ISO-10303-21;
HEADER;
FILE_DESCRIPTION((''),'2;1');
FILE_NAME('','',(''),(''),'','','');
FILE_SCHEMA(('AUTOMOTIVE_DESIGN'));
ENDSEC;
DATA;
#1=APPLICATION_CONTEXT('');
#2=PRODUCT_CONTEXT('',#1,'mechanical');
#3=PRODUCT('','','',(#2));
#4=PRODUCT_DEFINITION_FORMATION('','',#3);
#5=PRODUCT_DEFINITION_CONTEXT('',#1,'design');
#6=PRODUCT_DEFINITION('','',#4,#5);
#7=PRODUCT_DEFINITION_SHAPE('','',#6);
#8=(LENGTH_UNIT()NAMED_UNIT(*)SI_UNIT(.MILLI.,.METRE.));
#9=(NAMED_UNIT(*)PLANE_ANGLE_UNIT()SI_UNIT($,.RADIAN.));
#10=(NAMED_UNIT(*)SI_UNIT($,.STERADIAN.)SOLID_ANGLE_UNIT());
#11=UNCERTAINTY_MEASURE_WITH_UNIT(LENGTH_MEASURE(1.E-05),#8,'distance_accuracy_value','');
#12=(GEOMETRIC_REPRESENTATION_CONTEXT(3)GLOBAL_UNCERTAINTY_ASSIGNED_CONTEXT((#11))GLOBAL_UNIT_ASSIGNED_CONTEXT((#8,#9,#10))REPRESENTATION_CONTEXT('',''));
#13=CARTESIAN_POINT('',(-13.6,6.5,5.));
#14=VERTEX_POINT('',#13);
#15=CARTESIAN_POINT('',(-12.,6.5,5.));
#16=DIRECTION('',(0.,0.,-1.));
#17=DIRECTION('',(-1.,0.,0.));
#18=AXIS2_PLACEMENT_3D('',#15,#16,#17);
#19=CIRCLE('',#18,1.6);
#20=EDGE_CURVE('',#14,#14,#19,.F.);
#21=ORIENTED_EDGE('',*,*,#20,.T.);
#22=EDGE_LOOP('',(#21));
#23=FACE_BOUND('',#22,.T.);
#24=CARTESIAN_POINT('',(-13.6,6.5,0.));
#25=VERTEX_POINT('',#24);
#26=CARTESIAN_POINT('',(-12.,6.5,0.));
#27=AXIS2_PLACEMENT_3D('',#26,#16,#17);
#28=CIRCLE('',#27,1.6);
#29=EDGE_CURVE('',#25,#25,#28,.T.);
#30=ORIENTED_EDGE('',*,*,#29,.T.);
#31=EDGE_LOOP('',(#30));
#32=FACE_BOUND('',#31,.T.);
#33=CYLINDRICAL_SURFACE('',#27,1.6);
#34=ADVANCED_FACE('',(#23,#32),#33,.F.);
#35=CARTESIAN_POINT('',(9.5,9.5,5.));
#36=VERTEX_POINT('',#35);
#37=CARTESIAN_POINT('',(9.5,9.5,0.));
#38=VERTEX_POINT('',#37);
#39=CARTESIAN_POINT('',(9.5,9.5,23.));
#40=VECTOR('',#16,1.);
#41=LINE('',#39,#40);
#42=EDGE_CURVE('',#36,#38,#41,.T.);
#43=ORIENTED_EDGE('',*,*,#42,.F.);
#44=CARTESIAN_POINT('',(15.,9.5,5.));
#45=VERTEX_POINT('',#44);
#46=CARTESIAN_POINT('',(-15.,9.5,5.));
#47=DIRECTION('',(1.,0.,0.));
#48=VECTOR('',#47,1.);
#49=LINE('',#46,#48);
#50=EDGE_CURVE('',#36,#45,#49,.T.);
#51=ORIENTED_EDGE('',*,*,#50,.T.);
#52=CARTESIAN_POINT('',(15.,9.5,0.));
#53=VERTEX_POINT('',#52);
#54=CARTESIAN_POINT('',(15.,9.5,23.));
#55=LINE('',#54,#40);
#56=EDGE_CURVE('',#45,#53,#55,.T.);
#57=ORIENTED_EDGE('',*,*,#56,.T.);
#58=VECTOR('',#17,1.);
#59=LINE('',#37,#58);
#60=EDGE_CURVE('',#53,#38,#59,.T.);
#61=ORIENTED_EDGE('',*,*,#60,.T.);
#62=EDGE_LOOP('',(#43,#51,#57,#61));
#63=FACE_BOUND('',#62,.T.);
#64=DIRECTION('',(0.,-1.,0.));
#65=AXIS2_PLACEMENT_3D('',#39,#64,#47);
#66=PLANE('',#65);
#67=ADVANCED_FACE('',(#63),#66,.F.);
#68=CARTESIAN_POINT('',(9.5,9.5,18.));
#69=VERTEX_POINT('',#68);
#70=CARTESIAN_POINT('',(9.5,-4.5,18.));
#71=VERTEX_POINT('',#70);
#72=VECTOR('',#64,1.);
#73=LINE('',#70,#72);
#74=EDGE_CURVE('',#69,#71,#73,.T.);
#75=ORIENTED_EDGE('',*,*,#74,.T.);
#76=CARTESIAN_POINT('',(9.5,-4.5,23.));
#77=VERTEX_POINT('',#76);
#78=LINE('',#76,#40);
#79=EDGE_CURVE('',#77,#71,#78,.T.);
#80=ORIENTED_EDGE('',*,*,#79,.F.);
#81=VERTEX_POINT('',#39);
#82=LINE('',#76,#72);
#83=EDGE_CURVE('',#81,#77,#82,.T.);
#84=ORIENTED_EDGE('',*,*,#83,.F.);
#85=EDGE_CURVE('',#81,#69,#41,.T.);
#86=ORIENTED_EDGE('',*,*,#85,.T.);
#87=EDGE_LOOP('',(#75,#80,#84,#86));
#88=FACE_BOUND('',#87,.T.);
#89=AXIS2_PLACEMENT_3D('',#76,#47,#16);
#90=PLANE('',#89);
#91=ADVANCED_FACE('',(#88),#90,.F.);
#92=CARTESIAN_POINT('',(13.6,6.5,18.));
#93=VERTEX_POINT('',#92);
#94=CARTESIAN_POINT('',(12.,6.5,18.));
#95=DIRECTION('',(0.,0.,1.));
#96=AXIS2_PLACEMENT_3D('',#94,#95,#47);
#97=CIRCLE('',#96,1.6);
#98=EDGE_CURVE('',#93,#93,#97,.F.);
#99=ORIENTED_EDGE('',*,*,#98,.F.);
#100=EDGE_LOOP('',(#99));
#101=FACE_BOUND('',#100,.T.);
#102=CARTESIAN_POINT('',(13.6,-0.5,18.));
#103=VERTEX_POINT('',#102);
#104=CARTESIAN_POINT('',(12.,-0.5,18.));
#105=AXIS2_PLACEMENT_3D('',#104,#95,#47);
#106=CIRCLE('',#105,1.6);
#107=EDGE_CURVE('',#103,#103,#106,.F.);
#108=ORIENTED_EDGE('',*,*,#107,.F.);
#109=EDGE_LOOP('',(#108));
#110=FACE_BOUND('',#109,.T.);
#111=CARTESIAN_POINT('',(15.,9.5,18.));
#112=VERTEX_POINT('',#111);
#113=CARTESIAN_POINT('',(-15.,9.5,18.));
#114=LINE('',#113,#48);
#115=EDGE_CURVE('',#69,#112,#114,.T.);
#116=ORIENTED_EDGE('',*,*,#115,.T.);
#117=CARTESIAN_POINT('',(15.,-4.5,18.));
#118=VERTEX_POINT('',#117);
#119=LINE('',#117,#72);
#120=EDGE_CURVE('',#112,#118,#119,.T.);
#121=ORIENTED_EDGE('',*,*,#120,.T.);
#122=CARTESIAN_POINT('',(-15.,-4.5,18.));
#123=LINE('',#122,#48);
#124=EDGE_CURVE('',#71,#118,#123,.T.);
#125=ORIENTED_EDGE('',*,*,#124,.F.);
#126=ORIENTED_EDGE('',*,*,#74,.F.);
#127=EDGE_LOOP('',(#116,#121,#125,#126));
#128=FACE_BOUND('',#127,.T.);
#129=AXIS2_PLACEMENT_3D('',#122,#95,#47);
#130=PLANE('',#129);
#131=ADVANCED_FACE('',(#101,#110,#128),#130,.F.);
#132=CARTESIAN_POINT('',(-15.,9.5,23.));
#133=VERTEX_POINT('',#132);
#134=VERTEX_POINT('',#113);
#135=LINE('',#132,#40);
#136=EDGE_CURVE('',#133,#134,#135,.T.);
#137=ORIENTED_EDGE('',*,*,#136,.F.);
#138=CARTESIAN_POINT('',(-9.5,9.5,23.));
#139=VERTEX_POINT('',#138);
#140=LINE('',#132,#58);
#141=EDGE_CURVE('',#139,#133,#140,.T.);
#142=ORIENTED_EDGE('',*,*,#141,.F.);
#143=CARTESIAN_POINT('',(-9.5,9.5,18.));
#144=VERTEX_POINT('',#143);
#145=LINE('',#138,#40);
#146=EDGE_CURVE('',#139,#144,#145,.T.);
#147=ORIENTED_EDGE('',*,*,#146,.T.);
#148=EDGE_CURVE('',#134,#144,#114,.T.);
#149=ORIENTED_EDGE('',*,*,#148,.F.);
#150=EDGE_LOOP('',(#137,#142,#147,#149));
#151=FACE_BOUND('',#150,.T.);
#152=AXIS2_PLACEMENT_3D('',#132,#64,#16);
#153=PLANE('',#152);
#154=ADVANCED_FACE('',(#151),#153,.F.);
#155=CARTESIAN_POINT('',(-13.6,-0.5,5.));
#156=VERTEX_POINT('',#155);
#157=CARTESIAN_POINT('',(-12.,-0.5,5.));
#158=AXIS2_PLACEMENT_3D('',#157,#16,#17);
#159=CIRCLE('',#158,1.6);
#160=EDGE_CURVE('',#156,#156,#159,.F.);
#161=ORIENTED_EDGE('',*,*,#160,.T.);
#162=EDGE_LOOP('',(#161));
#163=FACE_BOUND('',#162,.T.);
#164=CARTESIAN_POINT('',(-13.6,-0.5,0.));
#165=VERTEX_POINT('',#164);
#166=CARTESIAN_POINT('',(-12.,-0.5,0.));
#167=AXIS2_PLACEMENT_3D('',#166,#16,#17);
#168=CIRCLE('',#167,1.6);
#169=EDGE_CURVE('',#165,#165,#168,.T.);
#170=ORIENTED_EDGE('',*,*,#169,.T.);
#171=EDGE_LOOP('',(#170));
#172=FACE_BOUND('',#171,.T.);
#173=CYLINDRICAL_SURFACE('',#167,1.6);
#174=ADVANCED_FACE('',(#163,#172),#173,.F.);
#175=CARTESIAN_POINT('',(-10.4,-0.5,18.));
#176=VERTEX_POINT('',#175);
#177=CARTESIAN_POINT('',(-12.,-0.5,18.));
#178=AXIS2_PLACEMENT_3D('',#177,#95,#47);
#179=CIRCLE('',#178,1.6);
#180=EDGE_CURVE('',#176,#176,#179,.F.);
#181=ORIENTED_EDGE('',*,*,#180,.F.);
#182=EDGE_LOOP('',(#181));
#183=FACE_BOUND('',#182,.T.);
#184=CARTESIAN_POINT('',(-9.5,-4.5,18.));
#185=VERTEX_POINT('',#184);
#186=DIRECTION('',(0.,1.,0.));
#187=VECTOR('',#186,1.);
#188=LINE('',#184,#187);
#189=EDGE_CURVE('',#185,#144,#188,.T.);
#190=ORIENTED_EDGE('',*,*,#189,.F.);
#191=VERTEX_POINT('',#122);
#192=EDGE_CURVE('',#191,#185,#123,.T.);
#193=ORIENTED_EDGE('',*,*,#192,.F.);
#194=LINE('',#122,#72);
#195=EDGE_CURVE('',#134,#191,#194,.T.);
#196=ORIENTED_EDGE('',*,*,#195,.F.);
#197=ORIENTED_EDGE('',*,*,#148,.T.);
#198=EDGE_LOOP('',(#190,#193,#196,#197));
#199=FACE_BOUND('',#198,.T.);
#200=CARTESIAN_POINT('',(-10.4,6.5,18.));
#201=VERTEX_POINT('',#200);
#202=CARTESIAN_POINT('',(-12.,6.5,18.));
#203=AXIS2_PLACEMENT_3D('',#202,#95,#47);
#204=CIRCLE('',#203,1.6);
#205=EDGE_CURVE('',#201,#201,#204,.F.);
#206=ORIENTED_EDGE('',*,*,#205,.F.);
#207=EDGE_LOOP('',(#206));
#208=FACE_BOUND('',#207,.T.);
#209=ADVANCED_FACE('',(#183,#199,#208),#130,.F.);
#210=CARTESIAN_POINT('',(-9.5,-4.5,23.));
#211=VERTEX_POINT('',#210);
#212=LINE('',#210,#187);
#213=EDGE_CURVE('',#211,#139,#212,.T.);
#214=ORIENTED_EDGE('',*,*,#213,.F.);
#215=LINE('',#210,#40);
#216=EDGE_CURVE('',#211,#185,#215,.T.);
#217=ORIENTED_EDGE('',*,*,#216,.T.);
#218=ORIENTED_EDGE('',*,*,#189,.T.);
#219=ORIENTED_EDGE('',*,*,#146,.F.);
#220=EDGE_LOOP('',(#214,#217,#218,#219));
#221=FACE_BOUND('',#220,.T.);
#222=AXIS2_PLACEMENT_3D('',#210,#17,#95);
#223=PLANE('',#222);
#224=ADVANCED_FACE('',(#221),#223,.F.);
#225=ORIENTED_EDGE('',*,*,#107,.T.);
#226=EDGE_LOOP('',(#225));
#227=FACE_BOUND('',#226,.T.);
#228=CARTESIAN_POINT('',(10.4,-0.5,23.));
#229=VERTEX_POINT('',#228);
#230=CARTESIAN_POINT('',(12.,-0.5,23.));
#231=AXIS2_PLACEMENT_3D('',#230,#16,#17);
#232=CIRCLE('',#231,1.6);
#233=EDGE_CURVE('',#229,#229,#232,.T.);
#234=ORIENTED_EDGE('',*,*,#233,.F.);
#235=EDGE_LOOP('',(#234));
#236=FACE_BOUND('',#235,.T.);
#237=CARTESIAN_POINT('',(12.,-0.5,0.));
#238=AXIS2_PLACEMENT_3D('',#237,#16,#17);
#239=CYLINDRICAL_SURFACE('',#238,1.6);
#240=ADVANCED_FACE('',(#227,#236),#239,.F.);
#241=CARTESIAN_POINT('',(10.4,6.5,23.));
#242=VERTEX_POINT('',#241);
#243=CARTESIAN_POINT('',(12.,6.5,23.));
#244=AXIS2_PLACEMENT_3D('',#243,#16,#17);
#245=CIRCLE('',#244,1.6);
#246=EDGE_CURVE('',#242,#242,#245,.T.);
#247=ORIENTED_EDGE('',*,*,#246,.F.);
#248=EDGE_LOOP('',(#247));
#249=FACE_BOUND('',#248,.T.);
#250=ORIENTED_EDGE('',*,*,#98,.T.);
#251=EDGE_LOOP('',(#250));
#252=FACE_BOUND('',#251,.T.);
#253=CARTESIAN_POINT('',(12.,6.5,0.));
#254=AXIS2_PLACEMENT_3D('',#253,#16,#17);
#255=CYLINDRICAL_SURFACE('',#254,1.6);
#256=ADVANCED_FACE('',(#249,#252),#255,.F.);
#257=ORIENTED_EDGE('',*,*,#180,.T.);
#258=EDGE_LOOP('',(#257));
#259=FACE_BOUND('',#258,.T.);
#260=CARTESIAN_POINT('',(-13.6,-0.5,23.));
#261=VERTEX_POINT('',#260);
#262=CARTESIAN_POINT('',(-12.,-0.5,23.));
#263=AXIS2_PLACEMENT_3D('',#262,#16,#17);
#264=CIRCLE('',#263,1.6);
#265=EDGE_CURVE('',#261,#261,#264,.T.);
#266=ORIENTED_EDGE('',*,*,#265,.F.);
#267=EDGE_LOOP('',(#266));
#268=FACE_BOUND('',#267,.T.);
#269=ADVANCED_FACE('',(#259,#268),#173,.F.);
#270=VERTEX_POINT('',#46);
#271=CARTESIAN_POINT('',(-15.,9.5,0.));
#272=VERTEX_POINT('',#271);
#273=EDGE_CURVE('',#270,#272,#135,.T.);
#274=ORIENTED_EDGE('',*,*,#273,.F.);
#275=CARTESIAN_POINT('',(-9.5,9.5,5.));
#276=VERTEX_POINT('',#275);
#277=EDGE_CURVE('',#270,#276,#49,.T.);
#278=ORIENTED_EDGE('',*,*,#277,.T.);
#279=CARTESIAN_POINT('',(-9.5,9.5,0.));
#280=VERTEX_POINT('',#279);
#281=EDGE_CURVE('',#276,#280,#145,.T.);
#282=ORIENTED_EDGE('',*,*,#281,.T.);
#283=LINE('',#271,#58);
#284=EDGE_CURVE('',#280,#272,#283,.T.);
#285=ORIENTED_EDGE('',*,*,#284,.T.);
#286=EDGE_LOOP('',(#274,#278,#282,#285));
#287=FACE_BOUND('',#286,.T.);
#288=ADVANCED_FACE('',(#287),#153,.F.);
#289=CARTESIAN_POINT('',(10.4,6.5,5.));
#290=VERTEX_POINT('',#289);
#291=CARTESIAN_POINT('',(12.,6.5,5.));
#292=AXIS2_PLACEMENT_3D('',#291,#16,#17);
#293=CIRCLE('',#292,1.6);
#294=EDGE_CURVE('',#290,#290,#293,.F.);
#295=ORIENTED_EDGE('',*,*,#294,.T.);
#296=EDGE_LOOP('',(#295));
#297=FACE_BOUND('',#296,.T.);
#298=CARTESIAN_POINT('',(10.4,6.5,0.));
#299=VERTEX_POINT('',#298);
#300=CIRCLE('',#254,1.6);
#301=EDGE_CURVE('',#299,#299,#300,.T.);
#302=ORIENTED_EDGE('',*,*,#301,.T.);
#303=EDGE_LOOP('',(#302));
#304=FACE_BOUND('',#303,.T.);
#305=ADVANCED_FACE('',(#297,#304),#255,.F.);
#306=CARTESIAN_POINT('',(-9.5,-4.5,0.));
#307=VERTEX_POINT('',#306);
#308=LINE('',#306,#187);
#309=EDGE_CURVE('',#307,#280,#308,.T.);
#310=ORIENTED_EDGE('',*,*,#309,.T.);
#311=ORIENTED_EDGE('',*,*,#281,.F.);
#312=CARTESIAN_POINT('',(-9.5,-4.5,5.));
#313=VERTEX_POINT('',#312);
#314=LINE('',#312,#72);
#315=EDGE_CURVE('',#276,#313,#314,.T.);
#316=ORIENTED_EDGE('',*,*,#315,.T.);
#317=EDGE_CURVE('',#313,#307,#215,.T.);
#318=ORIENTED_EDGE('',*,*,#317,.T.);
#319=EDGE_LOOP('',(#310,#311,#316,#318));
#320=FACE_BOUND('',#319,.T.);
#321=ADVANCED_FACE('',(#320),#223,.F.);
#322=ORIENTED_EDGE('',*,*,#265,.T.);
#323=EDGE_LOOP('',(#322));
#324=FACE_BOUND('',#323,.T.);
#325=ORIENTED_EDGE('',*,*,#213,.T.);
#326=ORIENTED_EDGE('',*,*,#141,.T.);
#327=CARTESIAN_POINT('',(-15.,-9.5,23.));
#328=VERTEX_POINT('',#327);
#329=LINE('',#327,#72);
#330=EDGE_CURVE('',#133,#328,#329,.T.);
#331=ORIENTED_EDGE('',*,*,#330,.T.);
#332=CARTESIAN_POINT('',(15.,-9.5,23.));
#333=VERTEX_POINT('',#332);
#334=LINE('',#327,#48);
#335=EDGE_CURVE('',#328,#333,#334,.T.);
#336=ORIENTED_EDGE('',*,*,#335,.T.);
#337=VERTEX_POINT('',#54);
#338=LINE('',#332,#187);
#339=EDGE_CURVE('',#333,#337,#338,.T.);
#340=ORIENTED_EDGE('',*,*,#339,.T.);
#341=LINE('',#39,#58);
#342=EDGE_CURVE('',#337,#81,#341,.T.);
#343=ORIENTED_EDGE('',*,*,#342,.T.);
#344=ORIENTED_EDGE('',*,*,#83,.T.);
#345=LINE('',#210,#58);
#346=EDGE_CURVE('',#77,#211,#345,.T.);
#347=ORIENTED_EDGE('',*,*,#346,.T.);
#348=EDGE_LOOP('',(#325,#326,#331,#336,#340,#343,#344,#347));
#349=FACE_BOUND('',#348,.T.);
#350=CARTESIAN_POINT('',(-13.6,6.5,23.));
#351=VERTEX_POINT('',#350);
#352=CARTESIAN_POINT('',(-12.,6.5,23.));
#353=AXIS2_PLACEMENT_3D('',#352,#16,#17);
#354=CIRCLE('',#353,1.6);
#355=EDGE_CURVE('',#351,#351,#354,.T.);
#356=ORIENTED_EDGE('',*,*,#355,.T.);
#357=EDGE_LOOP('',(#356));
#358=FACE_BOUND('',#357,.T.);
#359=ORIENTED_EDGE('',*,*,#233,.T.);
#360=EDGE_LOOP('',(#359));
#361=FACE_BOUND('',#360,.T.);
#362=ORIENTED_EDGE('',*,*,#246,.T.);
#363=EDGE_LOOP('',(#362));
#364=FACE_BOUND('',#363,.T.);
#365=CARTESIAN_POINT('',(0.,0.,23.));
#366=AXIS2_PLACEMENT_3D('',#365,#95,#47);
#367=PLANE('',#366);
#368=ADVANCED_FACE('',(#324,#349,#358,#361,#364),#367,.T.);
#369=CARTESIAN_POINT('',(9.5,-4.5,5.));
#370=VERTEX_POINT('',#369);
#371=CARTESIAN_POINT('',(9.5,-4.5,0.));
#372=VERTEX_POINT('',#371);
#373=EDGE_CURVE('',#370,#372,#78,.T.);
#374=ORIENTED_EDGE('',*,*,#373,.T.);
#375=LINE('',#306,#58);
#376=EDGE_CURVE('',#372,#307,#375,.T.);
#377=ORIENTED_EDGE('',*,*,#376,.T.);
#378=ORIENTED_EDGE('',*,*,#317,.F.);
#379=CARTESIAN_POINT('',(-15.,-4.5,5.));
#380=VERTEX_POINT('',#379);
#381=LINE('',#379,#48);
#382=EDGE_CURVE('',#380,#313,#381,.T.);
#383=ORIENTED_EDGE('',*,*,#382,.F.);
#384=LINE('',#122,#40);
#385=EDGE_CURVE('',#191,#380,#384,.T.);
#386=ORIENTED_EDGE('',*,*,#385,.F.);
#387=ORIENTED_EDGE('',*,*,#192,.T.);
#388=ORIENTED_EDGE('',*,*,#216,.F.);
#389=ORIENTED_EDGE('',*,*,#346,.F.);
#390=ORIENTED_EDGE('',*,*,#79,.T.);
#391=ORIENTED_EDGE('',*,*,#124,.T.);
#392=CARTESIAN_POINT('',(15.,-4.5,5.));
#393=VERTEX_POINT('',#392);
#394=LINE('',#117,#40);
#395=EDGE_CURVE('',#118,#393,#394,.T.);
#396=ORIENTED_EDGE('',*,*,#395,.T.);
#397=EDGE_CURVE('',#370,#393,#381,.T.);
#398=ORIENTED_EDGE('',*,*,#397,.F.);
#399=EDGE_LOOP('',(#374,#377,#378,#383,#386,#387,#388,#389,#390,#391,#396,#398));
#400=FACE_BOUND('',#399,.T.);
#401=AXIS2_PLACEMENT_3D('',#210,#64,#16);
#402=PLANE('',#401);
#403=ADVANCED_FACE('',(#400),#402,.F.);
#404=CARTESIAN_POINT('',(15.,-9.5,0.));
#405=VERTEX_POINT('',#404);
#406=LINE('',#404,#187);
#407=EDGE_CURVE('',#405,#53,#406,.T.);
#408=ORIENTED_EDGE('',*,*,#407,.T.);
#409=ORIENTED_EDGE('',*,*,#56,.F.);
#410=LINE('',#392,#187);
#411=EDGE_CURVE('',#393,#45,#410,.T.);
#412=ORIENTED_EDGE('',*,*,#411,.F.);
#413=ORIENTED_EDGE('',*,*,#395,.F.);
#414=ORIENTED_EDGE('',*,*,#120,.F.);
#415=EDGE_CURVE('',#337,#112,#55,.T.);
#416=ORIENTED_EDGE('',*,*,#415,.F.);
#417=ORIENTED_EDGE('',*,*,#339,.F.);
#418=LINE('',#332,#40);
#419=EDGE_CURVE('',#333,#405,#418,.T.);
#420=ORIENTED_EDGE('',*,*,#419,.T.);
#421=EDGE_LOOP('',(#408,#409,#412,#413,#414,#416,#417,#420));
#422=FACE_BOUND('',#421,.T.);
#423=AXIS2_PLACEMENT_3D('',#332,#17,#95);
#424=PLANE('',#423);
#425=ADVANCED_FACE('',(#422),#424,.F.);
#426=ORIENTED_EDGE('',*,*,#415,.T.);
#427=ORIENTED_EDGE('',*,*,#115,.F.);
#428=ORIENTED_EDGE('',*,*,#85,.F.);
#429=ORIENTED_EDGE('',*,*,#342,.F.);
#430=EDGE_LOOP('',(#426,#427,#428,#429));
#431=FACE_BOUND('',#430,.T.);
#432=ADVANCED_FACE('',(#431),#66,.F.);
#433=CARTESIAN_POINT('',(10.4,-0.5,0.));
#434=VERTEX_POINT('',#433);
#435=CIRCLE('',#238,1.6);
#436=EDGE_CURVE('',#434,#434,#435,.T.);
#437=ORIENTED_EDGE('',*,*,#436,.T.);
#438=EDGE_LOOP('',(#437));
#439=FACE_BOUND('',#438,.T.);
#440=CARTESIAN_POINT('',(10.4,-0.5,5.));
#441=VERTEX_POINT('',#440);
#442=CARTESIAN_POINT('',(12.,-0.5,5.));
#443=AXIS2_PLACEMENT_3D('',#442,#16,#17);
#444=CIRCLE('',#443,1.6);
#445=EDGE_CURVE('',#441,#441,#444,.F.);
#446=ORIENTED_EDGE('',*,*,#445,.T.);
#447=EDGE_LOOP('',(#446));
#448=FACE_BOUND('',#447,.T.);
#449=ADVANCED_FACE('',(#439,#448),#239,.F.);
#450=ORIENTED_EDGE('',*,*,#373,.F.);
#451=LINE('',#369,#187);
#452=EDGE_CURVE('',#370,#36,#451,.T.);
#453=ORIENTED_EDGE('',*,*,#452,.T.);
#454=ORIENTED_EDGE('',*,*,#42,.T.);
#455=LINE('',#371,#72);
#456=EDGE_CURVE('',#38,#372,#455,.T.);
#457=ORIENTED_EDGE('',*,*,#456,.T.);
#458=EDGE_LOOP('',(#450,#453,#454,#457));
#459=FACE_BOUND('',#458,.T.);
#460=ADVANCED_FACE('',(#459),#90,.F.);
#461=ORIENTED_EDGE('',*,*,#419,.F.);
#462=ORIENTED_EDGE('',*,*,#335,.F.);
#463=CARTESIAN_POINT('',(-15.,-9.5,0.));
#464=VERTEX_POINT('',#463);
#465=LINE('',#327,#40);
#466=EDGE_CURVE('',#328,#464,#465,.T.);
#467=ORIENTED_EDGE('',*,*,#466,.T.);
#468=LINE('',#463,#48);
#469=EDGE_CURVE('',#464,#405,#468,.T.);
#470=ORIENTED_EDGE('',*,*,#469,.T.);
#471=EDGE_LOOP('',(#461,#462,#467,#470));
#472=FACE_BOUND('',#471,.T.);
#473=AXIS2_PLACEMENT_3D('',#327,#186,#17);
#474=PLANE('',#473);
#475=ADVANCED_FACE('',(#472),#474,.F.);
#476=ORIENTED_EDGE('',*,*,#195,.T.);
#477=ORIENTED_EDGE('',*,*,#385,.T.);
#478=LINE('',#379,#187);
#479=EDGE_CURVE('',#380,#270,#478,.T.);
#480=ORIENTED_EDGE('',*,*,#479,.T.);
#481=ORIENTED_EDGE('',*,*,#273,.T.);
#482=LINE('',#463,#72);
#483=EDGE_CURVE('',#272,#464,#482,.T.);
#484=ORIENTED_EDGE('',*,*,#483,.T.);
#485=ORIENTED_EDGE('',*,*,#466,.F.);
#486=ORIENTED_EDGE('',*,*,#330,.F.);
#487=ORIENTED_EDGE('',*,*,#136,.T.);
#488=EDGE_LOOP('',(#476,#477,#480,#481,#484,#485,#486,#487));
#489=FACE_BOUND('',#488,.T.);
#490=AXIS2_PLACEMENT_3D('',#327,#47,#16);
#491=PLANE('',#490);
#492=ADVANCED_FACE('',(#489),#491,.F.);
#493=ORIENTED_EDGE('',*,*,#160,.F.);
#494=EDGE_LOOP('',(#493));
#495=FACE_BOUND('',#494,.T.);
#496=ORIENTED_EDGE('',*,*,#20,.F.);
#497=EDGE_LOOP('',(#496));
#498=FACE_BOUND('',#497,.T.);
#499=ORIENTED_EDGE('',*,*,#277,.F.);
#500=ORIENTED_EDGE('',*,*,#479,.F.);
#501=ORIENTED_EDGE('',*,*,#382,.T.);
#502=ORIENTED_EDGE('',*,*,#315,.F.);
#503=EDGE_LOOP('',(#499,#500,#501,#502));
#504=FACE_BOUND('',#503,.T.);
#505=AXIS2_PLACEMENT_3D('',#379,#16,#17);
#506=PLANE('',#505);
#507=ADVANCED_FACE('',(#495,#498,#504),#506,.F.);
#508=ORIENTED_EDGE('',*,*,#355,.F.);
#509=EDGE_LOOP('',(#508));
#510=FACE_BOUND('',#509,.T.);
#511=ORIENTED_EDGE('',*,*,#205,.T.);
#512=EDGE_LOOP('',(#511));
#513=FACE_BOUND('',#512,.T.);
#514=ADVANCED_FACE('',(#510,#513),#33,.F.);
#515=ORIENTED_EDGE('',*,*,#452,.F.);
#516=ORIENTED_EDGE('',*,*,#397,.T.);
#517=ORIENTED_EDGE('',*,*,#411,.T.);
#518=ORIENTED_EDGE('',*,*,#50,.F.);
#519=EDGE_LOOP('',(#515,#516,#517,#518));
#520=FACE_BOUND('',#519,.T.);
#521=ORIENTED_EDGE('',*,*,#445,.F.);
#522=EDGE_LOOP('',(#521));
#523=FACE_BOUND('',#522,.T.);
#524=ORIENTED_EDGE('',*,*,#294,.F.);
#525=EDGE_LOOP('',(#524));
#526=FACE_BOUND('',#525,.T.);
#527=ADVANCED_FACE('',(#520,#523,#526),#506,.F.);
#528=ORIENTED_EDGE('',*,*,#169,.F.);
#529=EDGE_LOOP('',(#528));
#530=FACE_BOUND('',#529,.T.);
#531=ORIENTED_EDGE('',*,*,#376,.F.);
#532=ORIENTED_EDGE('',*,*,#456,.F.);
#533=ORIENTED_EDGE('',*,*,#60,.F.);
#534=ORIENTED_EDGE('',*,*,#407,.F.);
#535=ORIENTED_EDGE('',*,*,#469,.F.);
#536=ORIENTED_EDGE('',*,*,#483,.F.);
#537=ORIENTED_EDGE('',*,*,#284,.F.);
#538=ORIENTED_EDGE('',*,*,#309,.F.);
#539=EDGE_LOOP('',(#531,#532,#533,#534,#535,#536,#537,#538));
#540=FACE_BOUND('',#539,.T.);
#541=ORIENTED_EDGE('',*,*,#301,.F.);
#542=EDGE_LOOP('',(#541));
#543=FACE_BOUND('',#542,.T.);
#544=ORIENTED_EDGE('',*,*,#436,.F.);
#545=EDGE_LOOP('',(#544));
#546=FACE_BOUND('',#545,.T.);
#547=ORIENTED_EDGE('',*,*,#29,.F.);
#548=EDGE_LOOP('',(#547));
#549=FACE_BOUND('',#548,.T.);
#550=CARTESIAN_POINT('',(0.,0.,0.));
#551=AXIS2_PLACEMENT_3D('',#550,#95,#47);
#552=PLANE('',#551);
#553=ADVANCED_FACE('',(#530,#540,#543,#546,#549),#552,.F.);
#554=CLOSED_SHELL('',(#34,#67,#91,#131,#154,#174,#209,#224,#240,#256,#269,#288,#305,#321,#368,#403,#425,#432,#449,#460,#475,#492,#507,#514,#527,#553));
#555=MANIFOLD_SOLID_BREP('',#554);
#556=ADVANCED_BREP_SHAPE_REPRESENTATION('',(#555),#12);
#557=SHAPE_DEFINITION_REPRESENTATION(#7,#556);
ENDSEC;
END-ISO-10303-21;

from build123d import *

# Parameters (mm, degrees)
EXTRUDE_1_DEPTH     = 23
HOLE_WIZARD_1_D     = 3.2
SKETCH_4_W          = 13
SKETCH_4_H          = 14
CUT_EXTRUDE_1_DEPTH = 39.977557645


with BuildPart() as part:
    # 草图1 → 凸台-拉伸1 (new body)
    with BuildSketch(Plane.XY):
        Polygon((-15, -9.5), (15, -9.5), (15, 9.5), (9.5, 9.5), (9.5, -4.5), (-9.5, -4.5), (-9.5, 9.5), (-15, 9.5), align=None)
    extrude(amount=EXTRUDE_1_DEPTH)

    # 孔1 (through all)
    with Locations(Plane(origin=(0, 0, 0), x_dir=(-1, 0, 0), z_dir=(0, 0, -1))):
        with Locations((12, 6.5), (12, -0.5), (-12, -0.5), (-12, 6.5)):
            Hole(HOLE_WIZARD_1_D / 2)

    # 草图4 → 切除-拉伸1 (cut, through all)
    with BuildSketch(Plane(origin=(15, 0, 0), x_dir=(0, 0, -1), z_dir=(1, 0, 0))):
        with Locations((-11.5, 2.5)):
            Rectangle(SKETCH_4_W, SKETCH_4_H)
    extrude(amount=-CUT_EXTRUDE_1_DEPTH, mode=Mode.SUBTRACT)


solid = part.part
